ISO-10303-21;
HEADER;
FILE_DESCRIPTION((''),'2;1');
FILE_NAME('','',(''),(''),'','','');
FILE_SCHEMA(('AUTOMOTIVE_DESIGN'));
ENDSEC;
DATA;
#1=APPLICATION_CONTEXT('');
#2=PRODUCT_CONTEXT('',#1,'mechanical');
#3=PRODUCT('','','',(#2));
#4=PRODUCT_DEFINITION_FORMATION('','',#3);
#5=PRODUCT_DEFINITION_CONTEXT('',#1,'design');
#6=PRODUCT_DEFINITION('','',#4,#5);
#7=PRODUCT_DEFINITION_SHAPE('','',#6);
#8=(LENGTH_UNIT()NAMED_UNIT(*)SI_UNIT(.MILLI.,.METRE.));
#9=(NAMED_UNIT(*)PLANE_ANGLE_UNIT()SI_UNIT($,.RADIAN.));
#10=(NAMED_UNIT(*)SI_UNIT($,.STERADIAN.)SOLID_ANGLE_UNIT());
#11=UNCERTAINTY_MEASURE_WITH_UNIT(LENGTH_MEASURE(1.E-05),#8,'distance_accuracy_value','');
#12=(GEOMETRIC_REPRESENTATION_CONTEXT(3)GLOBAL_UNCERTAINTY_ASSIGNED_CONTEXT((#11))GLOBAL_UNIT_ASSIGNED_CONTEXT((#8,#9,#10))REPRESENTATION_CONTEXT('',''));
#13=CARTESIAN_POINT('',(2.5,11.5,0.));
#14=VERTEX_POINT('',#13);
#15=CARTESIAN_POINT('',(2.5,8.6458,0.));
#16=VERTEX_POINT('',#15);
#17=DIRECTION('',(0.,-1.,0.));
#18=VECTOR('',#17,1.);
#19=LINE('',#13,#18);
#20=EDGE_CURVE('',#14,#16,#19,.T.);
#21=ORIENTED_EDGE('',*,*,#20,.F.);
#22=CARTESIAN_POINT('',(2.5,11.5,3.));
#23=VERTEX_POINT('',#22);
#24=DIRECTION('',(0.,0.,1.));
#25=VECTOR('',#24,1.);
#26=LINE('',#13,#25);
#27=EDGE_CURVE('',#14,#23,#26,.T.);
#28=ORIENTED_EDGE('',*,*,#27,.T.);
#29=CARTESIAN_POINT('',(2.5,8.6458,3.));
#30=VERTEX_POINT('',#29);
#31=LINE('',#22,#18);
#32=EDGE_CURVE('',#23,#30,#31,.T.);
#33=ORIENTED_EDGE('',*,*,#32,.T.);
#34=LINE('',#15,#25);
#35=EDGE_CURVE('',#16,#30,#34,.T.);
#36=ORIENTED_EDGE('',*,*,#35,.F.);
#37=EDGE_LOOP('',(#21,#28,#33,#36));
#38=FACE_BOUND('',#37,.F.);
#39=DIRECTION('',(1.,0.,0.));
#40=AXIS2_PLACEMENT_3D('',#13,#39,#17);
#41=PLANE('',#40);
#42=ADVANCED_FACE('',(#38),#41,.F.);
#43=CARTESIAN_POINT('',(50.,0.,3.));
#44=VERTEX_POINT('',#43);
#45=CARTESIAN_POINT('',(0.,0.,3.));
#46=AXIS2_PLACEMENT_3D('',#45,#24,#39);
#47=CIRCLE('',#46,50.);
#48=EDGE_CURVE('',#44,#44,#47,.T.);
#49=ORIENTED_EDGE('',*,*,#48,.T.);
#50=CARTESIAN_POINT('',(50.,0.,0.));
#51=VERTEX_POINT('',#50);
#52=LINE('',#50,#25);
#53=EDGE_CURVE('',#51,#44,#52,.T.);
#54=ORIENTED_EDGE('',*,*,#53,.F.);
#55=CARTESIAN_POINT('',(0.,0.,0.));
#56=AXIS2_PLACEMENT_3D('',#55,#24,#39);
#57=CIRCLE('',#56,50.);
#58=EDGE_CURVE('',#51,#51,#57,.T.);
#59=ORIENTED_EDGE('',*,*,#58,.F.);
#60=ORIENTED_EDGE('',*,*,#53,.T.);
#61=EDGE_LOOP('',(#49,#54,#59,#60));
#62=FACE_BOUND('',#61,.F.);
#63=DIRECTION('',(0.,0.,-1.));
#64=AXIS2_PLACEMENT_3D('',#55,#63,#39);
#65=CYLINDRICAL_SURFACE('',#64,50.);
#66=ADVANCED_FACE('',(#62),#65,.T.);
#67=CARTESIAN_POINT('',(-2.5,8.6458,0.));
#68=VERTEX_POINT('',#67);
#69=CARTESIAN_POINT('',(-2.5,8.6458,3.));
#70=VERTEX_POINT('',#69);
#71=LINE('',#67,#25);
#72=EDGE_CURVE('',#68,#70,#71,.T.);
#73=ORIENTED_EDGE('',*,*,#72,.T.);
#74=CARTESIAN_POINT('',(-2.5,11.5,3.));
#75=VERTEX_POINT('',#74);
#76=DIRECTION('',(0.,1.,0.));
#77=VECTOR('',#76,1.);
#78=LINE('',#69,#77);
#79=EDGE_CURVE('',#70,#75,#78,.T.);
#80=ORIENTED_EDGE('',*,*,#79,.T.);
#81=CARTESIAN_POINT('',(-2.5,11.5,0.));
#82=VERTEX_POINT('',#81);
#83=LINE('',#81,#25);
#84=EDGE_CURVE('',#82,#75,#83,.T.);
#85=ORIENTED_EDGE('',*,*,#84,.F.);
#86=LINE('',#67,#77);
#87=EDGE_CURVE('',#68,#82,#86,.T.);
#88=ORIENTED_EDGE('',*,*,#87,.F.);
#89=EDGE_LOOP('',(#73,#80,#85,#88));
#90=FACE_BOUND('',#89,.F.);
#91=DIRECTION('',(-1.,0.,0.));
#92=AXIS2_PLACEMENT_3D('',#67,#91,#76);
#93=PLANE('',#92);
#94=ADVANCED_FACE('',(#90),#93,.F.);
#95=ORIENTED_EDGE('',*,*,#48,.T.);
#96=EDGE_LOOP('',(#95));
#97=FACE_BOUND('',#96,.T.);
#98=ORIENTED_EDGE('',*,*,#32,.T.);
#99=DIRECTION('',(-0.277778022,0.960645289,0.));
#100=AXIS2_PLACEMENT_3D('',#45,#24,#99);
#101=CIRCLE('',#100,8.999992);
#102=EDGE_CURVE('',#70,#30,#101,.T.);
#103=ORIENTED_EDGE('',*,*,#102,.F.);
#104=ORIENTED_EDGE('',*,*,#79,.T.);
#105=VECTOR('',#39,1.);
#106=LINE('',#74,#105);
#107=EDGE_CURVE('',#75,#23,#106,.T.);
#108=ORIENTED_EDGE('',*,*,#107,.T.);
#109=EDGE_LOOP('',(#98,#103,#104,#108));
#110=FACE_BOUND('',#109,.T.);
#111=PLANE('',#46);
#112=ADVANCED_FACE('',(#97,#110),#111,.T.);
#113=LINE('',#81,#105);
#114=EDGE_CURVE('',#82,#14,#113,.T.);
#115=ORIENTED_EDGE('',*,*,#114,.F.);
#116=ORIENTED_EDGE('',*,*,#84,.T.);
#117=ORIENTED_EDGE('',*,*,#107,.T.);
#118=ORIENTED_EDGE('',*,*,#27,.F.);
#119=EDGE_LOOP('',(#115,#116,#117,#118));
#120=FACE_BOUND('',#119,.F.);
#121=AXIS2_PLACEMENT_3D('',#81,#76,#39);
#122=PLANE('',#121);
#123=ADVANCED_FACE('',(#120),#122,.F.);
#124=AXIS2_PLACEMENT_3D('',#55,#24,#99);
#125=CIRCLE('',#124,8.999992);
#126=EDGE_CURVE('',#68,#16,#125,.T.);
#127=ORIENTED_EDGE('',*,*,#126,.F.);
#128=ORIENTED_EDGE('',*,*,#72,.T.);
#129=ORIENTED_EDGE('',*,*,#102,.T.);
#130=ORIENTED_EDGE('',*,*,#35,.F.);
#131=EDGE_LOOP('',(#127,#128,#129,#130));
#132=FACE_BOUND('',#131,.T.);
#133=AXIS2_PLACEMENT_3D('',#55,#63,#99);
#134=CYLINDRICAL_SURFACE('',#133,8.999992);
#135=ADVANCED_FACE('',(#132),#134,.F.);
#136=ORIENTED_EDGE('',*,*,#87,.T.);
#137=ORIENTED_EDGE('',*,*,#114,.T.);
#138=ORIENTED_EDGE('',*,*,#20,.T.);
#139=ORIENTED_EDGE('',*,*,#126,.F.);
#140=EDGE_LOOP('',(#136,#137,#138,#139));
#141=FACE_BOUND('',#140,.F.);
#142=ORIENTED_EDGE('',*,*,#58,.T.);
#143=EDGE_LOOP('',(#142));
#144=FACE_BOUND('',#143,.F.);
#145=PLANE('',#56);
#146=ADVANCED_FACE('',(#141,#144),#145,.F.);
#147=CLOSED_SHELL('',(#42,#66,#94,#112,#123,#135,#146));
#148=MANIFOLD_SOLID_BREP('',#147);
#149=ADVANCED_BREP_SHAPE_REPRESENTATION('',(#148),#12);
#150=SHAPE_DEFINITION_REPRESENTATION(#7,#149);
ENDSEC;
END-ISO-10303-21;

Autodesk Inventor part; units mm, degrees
ref_plane "YZ Plane" through (0, 0, 0) normal (1, 0, 0) x (0, 1, 0)
ref_plane "XZ Plane" through (0, 0, 0) normal (0, 1, 0) x (-1, 0, 0)
ref_plane "XY Plane" through (0, 0, 0) normal (0, 0, 1) x (1, 0, 0)
sketch "Sketch1" plane through (0, 0, 0) normal (0, 0, 1) x (1, 0, 0)
  circle A0 centre (0, 0) radius 50
  arc A1 (-2.5, 8.6458) -> (2.5, 8.6458) centre (0, 0) ccw
  line L0 (-2.5, 11.5) -> (2.5, 11.5)
  line L1 (2.5, 11.5) -> (2.5, 8.6458)
  line L2 (-2.5, 8.6458) -> (-2.5, 11.5)
  point P0 (0, 7.5)
  point P1 (0, 11.5)
  dimension "d0" = 100
  dimension "d1" = 18
  dimension "d3" = 5
  dimension "d4" = 0
  dimension "d5" = 11.5
extrude "Extrusion1" add sketch "Sketch1" along normal blind 3
equation "\"BendRadius\" = Thickness"
equation "\"BendReliefWidth\" = Thickness"
equation "\"BendReliefDepth\" = 0.5 * Thickness"
equation "\"CornerReliefSize\" = 4 * Thickness"
equation "\"MinimumRemnant\" = 2 * Thickness"
equation "\"TransitionRadius\" = BendRadius"
equation "\"JacobiRadiusSize\" = BendRadius"
equation "\"GapSize\" = Thickness"
equation "\"Thickness\" = 0.5"
properties part number "Brake disc"
